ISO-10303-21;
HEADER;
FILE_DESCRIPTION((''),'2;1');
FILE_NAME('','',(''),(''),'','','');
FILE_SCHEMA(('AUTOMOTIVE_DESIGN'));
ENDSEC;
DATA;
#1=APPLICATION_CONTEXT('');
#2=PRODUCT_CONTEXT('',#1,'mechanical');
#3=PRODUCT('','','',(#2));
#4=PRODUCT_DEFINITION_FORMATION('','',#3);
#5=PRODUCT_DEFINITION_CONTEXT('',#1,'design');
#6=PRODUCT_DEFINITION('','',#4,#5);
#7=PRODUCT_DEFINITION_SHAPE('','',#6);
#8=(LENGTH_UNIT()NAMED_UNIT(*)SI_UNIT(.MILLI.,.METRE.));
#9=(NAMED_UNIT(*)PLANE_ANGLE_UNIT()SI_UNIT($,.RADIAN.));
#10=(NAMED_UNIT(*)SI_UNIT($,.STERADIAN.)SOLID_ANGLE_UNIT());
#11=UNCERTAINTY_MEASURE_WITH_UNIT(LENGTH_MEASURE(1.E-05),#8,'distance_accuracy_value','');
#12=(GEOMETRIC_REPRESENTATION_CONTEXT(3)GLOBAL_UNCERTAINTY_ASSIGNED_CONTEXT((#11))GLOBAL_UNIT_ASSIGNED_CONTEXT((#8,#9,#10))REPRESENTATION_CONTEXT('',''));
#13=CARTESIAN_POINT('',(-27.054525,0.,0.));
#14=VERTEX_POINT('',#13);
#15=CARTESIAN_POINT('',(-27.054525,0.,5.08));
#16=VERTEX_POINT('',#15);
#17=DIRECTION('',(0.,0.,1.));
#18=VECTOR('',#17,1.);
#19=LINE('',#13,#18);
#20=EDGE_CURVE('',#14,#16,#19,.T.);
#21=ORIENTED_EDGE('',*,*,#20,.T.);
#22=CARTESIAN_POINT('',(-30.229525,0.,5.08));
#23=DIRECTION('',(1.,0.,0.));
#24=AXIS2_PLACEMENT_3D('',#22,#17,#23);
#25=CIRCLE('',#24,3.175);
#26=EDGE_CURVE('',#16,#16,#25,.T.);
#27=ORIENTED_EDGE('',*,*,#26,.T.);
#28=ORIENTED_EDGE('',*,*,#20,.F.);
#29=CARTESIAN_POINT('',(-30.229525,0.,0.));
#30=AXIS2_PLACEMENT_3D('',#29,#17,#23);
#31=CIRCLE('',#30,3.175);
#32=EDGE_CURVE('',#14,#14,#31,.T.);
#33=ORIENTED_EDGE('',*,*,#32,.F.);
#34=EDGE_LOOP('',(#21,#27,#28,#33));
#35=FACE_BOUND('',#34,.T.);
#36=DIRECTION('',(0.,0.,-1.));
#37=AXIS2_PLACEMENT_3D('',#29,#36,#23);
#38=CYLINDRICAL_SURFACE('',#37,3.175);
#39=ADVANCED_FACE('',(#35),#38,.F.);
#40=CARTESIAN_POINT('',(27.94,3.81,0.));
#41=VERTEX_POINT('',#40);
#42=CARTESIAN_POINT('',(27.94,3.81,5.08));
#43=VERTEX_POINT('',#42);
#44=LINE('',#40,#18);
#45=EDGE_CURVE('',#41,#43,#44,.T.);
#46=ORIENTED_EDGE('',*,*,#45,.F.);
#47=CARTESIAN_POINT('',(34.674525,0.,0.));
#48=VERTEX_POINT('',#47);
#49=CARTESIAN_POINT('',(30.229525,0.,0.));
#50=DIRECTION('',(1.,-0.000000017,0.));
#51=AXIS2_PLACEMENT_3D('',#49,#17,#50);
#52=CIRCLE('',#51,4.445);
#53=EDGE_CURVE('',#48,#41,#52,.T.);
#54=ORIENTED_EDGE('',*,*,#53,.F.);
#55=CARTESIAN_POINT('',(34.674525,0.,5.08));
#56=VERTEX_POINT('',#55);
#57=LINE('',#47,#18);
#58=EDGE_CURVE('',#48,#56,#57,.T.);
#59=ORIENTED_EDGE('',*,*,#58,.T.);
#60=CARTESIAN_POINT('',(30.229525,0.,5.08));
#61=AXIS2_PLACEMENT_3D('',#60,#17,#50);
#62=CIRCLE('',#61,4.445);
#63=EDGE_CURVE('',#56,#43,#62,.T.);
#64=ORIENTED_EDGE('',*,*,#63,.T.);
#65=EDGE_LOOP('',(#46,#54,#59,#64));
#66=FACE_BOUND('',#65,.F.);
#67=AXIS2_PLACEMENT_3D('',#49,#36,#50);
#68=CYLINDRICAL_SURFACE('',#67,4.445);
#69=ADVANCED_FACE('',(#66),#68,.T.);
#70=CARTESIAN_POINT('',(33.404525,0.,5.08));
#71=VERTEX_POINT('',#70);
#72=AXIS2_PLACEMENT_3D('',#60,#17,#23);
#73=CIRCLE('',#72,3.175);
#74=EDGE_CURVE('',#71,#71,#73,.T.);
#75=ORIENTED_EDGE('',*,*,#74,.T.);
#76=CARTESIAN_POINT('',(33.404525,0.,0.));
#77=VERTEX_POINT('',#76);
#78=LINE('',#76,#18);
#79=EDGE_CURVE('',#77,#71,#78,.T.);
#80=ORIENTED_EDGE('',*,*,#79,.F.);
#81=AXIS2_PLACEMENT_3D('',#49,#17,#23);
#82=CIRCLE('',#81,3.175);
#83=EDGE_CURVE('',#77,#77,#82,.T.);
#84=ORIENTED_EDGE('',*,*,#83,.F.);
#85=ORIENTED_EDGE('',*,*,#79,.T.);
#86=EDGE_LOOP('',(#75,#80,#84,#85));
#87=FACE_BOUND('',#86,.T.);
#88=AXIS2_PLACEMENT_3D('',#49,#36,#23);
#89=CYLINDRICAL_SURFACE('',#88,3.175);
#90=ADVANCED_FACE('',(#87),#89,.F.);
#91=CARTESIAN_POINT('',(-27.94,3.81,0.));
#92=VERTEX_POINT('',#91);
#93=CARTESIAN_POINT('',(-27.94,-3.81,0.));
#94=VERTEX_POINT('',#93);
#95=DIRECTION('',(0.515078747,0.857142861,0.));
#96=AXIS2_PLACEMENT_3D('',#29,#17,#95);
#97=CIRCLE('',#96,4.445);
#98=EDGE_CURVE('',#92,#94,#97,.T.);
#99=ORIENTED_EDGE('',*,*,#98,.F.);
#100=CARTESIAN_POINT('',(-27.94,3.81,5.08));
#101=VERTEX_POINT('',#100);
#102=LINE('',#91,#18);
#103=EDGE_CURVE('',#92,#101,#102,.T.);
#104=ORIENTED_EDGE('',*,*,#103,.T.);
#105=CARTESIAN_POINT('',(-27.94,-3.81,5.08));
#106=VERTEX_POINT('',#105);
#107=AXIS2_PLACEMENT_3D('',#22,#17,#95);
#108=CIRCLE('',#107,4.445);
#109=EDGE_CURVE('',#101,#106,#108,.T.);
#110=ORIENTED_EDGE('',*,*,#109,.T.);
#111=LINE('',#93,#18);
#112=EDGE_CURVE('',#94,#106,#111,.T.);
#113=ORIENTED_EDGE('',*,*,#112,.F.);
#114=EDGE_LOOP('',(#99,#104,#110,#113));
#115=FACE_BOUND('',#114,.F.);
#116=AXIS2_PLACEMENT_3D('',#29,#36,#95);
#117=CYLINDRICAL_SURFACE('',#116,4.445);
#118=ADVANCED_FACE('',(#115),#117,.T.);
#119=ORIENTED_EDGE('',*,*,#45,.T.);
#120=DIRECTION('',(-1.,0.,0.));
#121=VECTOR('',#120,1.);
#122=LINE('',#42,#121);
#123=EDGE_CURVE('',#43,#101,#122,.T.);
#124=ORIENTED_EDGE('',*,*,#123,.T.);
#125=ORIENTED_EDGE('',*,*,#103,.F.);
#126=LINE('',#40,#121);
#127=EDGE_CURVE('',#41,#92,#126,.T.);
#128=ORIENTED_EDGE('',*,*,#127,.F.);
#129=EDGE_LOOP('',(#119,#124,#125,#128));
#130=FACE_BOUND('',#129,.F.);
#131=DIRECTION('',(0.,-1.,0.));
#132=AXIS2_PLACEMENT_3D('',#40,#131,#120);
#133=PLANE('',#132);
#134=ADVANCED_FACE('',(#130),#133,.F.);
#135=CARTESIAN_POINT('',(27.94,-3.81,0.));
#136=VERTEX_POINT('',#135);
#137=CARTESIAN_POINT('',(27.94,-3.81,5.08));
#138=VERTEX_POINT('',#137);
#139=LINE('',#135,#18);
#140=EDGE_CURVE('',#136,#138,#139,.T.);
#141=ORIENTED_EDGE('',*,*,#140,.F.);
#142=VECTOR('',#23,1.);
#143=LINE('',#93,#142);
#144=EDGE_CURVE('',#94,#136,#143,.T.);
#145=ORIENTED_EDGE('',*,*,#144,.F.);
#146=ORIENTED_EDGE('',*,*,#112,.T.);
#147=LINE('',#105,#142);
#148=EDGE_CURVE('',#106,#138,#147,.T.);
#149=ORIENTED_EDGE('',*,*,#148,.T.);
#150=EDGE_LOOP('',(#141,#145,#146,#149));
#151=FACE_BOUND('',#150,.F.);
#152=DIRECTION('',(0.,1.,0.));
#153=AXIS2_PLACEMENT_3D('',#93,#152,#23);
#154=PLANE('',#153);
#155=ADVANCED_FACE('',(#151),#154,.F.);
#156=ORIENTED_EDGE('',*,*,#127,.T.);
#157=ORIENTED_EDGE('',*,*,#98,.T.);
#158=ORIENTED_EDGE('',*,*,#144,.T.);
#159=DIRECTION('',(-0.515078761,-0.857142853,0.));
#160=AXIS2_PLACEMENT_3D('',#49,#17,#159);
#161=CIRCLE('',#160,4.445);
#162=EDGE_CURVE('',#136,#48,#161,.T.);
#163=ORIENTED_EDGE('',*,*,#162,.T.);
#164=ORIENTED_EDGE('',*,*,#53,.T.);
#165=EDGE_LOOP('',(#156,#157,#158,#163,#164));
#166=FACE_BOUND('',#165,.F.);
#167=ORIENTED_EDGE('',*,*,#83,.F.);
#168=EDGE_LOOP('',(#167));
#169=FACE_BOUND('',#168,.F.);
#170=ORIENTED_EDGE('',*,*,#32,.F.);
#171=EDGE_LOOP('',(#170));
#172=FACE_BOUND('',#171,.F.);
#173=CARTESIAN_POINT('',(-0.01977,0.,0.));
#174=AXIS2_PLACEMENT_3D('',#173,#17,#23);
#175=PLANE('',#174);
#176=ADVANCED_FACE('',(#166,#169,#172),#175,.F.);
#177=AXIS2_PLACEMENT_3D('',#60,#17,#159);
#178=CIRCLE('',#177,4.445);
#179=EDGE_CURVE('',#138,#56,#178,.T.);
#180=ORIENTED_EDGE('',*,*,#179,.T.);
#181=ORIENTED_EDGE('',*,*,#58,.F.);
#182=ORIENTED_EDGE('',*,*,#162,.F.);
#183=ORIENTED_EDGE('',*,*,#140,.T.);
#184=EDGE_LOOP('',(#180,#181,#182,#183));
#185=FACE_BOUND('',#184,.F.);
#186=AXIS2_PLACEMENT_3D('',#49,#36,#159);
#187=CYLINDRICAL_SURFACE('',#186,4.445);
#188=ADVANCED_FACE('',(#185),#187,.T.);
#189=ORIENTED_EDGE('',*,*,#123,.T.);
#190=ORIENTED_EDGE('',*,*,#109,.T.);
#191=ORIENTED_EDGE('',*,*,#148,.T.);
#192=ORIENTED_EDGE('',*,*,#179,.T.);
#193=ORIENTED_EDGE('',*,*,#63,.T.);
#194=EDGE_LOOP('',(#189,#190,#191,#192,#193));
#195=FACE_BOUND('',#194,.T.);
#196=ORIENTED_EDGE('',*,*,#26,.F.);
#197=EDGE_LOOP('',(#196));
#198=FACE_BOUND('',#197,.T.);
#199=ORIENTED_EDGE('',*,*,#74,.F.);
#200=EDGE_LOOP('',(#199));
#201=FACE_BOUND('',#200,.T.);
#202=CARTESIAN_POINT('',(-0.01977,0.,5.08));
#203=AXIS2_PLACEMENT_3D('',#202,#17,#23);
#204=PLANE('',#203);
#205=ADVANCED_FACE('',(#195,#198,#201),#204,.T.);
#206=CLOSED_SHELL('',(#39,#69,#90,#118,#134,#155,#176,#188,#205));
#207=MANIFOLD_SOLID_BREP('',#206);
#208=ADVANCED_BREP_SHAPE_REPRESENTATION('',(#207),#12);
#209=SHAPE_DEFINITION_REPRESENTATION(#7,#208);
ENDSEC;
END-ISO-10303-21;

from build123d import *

# Parameters (mm, degrees)
F0_R     = 3.175
F1_DEPTH = 5.08


with BuildPart() as f1:
    # F0 (on Top) → F1 (new body)
    with BuildSketch(Plane.XY):
        with BuildLine():
            ThreePointArc((27.94, -3.81), (25.784525, 0), (27.94, 3.81))
            Line((27.94, 3.81), (-27.94, 3.81))
            ThreePointArc((-27.94, 3.81), (-26.360742, 2.188731), (-25.784525, 0))
            ThreePointArc((-25.784525, 0), (-26.360742, -2.188731), (-27.94, -3.81))
            Line((-27.94, -3.81), (27.94, -3.81))
        make_face()
        with BuildLine():
            ThreePointArc((34.674525, 0), (32.418256, 3.868783), (27.94, 3.81))
            ThreePointArc((27.94, 3.81), (25.784525, 0), (27.94, -3.81))
            ThreePointArc((27.94, -3.81), (32.418256, -3.868783), (34.674525, 0))
        make_face()
        with Locations((30.229525, 0)):
            Circle(F0_R, mode=Mode.SUBTRACT)
        with BuildLine():
            ThreePointArc((-25.784525, 0), (-26.360742, 2.188731), (-27.94, 3.81))
            ThreePointArc((-27.94, 3.81), (-34.674525, 0), (-27.94, -3.81))
            ThreePointArc((-27.94, -3.81), (-26.360742, -2.188731), (-25.784525, 0))
        make_face()
        with Locations((-30.229525, 0)):
            Circle(F0_R, mode=Mode.SUBTRACT)
    extrude(amount=F1_DEPTH)


solid = f1.part
